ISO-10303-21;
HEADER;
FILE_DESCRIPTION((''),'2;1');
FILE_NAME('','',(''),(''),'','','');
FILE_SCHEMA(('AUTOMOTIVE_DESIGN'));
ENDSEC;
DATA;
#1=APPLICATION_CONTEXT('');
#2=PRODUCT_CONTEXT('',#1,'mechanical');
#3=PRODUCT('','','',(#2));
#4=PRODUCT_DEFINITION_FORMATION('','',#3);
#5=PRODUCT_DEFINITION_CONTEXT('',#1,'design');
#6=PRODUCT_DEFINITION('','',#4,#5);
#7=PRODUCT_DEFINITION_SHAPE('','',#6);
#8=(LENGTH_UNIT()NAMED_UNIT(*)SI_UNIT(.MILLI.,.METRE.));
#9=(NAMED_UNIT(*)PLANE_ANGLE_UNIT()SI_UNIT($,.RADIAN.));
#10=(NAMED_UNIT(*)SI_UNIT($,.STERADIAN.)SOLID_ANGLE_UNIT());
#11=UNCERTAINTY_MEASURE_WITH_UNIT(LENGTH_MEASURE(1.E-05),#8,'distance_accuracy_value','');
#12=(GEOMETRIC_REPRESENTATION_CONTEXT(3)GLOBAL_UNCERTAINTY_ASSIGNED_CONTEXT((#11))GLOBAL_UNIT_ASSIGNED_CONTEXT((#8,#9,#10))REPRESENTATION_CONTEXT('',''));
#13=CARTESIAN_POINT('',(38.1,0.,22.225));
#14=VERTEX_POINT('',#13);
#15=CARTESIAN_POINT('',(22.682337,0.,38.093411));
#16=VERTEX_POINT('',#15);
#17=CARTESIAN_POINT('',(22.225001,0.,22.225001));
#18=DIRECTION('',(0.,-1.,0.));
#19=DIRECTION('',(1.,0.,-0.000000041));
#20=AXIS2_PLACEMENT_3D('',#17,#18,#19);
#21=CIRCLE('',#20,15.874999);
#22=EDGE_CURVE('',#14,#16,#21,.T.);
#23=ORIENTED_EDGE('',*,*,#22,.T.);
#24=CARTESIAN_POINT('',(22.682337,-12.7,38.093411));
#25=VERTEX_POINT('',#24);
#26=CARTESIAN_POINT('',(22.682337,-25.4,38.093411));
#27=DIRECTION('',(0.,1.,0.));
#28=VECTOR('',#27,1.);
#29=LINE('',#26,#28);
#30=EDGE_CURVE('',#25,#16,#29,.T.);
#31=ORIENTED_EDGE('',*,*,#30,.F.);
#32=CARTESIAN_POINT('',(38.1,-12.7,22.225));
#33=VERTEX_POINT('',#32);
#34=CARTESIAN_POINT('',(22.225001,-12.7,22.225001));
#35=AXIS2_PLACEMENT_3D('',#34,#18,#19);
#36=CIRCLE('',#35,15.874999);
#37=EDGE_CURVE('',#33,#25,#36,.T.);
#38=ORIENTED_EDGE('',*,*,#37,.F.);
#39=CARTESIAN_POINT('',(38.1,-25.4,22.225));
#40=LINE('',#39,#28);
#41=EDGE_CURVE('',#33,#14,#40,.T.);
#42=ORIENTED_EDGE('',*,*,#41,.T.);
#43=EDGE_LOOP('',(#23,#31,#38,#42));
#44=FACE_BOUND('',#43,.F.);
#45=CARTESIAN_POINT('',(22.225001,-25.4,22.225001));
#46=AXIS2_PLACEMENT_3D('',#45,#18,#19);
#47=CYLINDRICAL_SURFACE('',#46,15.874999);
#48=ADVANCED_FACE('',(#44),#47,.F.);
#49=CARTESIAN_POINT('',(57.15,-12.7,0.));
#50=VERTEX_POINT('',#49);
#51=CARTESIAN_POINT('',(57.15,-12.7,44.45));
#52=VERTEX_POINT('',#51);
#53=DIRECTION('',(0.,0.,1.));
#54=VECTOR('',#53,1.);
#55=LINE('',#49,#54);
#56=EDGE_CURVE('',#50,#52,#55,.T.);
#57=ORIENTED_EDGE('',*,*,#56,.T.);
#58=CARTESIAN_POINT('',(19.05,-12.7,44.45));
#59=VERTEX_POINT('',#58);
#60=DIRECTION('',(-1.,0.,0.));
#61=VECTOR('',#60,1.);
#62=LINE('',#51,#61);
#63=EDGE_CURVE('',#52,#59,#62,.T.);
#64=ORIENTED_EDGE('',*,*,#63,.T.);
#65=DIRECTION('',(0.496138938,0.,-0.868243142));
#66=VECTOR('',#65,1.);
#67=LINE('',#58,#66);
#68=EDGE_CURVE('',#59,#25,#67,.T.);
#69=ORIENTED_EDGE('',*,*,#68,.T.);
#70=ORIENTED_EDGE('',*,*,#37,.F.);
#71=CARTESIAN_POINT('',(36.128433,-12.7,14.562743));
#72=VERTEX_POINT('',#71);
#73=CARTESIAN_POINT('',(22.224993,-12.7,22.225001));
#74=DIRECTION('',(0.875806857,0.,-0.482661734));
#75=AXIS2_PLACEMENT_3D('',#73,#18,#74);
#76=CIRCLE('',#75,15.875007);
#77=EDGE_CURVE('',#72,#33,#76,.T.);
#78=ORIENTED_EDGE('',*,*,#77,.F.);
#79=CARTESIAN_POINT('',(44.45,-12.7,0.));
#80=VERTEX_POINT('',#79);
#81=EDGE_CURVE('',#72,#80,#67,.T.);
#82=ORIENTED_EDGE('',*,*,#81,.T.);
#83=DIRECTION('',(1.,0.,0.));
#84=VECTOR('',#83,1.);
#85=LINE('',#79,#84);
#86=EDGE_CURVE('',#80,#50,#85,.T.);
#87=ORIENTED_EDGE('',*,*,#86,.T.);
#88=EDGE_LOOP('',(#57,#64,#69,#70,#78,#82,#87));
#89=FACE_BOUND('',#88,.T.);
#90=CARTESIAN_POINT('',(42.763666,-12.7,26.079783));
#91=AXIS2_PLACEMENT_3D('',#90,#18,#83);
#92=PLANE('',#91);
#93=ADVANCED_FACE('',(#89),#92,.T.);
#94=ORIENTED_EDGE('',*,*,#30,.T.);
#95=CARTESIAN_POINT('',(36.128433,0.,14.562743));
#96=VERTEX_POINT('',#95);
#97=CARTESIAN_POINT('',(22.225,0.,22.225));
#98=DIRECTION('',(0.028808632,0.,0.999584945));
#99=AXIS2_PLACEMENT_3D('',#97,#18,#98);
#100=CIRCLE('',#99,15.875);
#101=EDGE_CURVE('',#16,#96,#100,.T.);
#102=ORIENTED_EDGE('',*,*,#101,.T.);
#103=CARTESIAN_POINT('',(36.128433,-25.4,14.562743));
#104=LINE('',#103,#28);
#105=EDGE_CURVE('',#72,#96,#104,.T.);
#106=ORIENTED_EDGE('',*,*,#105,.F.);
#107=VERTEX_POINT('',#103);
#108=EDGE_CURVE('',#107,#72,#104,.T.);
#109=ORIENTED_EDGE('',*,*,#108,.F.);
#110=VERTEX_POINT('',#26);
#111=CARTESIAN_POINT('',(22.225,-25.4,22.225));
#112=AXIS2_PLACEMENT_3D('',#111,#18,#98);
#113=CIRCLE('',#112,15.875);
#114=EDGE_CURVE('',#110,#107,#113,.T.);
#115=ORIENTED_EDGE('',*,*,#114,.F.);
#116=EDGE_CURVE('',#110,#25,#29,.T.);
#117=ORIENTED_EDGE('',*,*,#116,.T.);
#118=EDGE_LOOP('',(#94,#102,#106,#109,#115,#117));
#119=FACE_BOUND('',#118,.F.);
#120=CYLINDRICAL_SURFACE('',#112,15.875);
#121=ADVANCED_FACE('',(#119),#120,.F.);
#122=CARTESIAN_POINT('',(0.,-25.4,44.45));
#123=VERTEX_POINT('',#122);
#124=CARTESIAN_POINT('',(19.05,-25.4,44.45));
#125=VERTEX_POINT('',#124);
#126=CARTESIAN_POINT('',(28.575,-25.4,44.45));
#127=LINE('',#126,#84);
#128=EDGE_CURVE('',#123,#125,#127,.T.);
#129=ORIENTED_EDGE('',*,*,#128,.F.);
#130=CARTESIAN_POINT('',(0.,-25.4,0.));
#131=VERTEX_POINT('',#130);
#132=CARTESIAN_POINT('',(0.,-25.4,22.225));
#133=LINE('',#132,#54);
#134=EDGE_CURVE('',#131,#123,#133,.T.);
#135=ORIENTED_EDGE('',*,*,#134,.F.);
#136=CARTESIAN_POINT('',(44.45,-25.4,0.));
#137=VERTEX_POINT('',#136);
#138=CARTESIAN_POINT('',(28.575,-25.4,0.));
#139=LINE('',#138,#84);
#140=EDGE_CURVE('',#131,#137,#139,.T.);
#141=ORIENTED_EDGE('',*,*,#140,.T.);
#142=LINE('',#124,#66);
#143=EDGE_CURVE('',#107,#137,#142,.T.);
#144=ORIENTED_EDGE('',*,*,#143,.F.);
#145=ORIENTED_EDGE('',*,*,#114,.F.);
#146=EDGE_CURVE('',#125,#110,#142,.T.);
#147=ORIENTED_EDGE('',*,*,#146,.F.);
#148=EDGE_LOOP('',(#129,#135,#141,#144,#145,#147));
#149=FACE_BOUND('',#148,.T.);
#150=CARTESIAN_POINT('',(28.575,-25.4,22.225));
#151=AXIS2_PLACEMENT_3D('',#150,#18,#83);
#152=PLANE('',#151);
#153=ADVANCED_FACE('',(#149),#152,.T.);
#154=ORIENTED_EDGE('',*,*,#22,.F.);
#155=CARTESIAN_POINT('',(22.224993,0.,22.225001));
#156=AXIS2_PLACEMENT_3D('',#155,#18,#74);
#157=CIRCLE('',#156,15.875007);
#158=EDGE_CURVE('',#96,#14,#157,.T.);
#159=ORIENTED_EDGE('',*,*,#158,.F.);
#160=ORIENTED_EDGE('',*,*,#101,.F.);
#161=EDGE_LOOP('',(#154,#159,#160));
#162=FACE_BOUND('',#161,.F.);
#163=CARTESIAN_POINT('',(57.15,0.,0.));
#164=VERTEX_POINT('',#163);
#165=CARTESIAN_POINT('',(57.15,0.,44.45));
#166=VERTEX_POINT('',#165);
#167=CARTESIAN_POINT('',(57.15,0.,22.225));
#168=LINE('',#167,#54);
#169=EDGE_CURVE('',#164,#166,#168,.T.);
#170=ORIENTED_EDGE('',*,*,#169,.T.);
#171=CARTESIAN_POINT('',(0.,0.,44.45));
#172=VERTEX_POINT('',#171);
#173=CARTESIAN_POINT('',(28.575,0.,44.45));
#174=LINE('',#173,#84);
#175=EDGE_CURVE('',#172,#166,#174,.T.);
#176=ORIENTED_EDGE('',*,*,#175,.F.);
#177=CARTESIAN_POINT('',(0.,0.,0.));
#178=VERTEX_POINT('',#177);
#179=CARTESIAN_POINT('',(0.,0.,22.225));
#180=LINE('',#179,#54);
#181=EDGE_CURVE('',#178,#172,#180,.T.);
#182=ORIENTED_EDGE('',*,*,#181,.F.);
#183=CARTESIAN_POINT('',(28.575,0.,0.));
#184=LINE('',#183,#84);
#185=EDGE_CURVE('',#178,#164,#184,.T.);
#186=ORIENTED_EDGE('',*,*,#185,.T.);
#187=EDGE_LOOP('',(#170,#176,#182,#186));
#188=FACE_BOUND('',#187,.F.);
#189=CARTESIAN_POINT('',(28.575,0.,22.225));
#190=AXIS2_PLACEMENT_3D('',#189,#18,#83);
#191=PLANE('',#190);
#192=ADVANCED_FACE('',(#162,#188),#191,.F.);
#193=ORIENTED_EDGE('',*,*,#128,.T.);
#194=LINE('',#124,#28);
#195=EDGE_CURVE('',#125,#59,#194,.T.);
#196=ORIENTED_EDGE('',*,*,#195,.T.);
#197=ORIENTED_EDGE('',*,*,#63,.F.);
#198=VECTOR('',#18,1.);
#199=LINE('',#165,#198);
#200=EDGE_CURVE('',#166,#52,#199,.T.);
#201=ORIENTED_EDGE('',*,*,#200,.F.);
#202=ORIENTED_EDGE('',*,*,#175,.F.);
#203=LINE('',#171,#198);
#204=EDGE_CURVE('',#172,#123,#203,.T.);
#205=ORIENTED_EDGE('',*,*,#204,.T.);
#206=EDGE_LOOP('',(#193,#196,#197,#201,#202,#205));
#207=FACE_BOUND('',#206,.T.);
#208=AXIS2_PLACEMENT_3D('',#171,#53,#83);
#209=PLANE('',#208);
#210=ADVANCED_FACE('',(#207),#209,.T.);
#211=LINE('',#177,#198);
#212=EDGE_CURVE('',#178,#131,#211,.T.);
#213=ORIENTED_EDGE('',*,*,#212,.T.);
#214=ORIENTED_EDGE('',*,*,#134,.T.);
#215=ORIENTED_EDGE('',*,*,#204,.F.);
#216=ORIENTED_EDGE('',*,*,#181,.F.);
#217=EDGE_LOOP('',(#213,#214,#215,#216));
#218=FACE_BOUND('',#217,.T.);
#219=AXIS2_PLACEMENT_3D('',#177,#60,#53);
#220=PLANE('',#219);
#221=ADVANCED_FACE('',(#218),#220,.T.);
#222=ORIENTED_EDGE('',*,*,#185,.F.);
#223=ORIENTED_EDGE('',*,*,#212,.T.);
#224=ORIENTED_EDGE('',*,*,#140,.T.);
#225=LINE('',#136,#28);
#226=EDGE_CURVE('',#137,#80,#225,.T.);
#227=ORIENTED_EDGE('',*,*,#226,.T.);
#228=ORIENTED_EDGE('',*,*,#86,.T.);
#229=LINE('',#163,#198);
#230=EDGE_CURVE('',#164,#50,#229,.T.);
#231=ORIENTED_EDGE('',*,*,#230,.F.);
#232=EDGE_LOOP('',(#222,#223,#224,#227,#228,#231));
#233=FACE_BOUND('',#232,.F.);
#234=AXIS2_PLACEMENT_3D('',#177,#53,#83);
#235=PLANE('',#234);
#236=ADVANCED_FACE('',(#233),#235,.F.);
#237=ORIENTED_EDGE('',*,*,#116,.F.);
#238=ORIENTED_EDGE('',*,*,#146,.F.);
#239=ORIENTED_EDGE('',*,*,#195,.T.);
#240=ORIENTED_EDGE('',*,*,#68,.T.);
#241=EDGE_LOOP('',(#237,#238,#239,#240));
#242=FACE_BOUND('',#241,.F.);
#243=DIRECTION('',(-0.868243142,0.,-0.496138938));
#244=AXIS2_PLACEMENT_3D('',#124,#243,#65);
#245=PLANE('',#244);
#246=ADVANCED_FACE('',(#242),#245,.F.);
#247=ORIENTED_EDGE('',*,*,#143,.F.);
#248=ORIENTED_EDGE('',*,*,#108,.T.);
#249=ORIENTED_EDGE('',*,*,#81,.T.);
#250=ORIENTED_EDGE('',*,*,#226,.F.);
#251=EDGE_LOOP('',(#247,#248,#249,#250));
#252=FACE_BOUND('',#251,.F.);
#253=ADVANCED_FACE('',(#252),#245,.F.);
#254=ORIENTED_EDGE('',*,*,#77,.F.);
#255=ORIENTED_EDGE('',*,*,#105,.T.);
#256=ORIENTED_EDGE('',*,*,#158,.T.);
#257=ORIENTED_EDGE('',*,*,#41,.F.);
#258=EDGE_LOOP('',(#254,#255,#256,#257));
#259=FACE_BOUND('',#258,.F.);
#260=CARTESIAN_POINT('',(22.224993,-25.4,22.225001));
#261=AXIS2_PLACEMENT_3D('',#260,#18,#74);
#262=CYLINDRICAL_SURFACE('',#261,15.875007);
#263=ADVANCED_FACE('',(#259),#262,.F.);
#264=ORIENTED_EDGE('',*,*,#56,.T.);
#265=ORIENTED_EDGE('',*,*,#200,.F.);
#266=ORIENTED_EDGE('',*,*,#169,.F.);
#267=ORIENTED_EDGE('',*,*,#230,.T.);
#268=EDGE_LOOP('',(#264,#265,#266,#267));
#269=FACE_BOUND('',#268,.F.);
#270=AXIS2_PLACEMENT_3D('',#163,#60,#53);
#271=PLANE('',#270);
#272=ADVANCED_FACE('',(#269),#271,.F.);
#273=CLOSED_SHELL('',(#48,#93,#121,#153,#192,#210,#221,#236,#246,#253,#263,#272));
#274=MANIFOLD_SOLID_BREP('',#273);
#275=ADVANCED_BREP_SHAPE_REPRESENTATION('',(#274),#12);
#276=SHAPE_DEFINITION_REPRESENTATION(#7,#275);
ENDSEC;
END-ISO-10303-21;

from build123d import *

# Parameters (mm, degrees)
F0_W     = 57.15
F0_H     = 44.45
F2_DEPTH = 25.4
F4_DEPTH = 12.7
F6_DEPTH = 25.4


with BuildPart() as f2:
    # F0 (on Front) → F2 (new body)
    with BuildSketch(Plane.XZ):
        with Locations((28.575, 22.225)):
            Rectangle(F0_W, F0_H)
    extrude(amount=F2_DEPTH)

    # F3 (on face) → F4 (cut)
    with BuildSketch(Plane.XZ.offset(25.4)):
        Polygon((19.05, 44.45), (44.45, 0), (57.15, 0), (57.15, 44.45), align=None)
    extrude(amount=-F4_DEPTH, mode=Mode.SUBTRACT)

    # F5 (on face) → F6 (cut)
    with BuildSketch(Plane.XZ.offset(25.4)):
        with BuildLine():
            ThreePointArc((36.128433, 14.562743), (37.599209, 18.269078), (38.1, 22.225))
            ThreePointArc((38.1, 22.225), (33.610865, 33.287446), (22.682337, 38.093411))
            Line((22.682337, 38.093411), (36.128433, 14.562743))
        make_face()
        with BuildLine():
            Line((36.128433, 14.562743), (22.682337, 38.093411))
            ThreePointArc((22.682337, 38.093411), (8.44164, 14.348794), (36.128433, 14.562743))
        make_face()
    extrude(amount=-F6_DEPTH, mode=Mode.SUBTRACT)


solid = f2.part
